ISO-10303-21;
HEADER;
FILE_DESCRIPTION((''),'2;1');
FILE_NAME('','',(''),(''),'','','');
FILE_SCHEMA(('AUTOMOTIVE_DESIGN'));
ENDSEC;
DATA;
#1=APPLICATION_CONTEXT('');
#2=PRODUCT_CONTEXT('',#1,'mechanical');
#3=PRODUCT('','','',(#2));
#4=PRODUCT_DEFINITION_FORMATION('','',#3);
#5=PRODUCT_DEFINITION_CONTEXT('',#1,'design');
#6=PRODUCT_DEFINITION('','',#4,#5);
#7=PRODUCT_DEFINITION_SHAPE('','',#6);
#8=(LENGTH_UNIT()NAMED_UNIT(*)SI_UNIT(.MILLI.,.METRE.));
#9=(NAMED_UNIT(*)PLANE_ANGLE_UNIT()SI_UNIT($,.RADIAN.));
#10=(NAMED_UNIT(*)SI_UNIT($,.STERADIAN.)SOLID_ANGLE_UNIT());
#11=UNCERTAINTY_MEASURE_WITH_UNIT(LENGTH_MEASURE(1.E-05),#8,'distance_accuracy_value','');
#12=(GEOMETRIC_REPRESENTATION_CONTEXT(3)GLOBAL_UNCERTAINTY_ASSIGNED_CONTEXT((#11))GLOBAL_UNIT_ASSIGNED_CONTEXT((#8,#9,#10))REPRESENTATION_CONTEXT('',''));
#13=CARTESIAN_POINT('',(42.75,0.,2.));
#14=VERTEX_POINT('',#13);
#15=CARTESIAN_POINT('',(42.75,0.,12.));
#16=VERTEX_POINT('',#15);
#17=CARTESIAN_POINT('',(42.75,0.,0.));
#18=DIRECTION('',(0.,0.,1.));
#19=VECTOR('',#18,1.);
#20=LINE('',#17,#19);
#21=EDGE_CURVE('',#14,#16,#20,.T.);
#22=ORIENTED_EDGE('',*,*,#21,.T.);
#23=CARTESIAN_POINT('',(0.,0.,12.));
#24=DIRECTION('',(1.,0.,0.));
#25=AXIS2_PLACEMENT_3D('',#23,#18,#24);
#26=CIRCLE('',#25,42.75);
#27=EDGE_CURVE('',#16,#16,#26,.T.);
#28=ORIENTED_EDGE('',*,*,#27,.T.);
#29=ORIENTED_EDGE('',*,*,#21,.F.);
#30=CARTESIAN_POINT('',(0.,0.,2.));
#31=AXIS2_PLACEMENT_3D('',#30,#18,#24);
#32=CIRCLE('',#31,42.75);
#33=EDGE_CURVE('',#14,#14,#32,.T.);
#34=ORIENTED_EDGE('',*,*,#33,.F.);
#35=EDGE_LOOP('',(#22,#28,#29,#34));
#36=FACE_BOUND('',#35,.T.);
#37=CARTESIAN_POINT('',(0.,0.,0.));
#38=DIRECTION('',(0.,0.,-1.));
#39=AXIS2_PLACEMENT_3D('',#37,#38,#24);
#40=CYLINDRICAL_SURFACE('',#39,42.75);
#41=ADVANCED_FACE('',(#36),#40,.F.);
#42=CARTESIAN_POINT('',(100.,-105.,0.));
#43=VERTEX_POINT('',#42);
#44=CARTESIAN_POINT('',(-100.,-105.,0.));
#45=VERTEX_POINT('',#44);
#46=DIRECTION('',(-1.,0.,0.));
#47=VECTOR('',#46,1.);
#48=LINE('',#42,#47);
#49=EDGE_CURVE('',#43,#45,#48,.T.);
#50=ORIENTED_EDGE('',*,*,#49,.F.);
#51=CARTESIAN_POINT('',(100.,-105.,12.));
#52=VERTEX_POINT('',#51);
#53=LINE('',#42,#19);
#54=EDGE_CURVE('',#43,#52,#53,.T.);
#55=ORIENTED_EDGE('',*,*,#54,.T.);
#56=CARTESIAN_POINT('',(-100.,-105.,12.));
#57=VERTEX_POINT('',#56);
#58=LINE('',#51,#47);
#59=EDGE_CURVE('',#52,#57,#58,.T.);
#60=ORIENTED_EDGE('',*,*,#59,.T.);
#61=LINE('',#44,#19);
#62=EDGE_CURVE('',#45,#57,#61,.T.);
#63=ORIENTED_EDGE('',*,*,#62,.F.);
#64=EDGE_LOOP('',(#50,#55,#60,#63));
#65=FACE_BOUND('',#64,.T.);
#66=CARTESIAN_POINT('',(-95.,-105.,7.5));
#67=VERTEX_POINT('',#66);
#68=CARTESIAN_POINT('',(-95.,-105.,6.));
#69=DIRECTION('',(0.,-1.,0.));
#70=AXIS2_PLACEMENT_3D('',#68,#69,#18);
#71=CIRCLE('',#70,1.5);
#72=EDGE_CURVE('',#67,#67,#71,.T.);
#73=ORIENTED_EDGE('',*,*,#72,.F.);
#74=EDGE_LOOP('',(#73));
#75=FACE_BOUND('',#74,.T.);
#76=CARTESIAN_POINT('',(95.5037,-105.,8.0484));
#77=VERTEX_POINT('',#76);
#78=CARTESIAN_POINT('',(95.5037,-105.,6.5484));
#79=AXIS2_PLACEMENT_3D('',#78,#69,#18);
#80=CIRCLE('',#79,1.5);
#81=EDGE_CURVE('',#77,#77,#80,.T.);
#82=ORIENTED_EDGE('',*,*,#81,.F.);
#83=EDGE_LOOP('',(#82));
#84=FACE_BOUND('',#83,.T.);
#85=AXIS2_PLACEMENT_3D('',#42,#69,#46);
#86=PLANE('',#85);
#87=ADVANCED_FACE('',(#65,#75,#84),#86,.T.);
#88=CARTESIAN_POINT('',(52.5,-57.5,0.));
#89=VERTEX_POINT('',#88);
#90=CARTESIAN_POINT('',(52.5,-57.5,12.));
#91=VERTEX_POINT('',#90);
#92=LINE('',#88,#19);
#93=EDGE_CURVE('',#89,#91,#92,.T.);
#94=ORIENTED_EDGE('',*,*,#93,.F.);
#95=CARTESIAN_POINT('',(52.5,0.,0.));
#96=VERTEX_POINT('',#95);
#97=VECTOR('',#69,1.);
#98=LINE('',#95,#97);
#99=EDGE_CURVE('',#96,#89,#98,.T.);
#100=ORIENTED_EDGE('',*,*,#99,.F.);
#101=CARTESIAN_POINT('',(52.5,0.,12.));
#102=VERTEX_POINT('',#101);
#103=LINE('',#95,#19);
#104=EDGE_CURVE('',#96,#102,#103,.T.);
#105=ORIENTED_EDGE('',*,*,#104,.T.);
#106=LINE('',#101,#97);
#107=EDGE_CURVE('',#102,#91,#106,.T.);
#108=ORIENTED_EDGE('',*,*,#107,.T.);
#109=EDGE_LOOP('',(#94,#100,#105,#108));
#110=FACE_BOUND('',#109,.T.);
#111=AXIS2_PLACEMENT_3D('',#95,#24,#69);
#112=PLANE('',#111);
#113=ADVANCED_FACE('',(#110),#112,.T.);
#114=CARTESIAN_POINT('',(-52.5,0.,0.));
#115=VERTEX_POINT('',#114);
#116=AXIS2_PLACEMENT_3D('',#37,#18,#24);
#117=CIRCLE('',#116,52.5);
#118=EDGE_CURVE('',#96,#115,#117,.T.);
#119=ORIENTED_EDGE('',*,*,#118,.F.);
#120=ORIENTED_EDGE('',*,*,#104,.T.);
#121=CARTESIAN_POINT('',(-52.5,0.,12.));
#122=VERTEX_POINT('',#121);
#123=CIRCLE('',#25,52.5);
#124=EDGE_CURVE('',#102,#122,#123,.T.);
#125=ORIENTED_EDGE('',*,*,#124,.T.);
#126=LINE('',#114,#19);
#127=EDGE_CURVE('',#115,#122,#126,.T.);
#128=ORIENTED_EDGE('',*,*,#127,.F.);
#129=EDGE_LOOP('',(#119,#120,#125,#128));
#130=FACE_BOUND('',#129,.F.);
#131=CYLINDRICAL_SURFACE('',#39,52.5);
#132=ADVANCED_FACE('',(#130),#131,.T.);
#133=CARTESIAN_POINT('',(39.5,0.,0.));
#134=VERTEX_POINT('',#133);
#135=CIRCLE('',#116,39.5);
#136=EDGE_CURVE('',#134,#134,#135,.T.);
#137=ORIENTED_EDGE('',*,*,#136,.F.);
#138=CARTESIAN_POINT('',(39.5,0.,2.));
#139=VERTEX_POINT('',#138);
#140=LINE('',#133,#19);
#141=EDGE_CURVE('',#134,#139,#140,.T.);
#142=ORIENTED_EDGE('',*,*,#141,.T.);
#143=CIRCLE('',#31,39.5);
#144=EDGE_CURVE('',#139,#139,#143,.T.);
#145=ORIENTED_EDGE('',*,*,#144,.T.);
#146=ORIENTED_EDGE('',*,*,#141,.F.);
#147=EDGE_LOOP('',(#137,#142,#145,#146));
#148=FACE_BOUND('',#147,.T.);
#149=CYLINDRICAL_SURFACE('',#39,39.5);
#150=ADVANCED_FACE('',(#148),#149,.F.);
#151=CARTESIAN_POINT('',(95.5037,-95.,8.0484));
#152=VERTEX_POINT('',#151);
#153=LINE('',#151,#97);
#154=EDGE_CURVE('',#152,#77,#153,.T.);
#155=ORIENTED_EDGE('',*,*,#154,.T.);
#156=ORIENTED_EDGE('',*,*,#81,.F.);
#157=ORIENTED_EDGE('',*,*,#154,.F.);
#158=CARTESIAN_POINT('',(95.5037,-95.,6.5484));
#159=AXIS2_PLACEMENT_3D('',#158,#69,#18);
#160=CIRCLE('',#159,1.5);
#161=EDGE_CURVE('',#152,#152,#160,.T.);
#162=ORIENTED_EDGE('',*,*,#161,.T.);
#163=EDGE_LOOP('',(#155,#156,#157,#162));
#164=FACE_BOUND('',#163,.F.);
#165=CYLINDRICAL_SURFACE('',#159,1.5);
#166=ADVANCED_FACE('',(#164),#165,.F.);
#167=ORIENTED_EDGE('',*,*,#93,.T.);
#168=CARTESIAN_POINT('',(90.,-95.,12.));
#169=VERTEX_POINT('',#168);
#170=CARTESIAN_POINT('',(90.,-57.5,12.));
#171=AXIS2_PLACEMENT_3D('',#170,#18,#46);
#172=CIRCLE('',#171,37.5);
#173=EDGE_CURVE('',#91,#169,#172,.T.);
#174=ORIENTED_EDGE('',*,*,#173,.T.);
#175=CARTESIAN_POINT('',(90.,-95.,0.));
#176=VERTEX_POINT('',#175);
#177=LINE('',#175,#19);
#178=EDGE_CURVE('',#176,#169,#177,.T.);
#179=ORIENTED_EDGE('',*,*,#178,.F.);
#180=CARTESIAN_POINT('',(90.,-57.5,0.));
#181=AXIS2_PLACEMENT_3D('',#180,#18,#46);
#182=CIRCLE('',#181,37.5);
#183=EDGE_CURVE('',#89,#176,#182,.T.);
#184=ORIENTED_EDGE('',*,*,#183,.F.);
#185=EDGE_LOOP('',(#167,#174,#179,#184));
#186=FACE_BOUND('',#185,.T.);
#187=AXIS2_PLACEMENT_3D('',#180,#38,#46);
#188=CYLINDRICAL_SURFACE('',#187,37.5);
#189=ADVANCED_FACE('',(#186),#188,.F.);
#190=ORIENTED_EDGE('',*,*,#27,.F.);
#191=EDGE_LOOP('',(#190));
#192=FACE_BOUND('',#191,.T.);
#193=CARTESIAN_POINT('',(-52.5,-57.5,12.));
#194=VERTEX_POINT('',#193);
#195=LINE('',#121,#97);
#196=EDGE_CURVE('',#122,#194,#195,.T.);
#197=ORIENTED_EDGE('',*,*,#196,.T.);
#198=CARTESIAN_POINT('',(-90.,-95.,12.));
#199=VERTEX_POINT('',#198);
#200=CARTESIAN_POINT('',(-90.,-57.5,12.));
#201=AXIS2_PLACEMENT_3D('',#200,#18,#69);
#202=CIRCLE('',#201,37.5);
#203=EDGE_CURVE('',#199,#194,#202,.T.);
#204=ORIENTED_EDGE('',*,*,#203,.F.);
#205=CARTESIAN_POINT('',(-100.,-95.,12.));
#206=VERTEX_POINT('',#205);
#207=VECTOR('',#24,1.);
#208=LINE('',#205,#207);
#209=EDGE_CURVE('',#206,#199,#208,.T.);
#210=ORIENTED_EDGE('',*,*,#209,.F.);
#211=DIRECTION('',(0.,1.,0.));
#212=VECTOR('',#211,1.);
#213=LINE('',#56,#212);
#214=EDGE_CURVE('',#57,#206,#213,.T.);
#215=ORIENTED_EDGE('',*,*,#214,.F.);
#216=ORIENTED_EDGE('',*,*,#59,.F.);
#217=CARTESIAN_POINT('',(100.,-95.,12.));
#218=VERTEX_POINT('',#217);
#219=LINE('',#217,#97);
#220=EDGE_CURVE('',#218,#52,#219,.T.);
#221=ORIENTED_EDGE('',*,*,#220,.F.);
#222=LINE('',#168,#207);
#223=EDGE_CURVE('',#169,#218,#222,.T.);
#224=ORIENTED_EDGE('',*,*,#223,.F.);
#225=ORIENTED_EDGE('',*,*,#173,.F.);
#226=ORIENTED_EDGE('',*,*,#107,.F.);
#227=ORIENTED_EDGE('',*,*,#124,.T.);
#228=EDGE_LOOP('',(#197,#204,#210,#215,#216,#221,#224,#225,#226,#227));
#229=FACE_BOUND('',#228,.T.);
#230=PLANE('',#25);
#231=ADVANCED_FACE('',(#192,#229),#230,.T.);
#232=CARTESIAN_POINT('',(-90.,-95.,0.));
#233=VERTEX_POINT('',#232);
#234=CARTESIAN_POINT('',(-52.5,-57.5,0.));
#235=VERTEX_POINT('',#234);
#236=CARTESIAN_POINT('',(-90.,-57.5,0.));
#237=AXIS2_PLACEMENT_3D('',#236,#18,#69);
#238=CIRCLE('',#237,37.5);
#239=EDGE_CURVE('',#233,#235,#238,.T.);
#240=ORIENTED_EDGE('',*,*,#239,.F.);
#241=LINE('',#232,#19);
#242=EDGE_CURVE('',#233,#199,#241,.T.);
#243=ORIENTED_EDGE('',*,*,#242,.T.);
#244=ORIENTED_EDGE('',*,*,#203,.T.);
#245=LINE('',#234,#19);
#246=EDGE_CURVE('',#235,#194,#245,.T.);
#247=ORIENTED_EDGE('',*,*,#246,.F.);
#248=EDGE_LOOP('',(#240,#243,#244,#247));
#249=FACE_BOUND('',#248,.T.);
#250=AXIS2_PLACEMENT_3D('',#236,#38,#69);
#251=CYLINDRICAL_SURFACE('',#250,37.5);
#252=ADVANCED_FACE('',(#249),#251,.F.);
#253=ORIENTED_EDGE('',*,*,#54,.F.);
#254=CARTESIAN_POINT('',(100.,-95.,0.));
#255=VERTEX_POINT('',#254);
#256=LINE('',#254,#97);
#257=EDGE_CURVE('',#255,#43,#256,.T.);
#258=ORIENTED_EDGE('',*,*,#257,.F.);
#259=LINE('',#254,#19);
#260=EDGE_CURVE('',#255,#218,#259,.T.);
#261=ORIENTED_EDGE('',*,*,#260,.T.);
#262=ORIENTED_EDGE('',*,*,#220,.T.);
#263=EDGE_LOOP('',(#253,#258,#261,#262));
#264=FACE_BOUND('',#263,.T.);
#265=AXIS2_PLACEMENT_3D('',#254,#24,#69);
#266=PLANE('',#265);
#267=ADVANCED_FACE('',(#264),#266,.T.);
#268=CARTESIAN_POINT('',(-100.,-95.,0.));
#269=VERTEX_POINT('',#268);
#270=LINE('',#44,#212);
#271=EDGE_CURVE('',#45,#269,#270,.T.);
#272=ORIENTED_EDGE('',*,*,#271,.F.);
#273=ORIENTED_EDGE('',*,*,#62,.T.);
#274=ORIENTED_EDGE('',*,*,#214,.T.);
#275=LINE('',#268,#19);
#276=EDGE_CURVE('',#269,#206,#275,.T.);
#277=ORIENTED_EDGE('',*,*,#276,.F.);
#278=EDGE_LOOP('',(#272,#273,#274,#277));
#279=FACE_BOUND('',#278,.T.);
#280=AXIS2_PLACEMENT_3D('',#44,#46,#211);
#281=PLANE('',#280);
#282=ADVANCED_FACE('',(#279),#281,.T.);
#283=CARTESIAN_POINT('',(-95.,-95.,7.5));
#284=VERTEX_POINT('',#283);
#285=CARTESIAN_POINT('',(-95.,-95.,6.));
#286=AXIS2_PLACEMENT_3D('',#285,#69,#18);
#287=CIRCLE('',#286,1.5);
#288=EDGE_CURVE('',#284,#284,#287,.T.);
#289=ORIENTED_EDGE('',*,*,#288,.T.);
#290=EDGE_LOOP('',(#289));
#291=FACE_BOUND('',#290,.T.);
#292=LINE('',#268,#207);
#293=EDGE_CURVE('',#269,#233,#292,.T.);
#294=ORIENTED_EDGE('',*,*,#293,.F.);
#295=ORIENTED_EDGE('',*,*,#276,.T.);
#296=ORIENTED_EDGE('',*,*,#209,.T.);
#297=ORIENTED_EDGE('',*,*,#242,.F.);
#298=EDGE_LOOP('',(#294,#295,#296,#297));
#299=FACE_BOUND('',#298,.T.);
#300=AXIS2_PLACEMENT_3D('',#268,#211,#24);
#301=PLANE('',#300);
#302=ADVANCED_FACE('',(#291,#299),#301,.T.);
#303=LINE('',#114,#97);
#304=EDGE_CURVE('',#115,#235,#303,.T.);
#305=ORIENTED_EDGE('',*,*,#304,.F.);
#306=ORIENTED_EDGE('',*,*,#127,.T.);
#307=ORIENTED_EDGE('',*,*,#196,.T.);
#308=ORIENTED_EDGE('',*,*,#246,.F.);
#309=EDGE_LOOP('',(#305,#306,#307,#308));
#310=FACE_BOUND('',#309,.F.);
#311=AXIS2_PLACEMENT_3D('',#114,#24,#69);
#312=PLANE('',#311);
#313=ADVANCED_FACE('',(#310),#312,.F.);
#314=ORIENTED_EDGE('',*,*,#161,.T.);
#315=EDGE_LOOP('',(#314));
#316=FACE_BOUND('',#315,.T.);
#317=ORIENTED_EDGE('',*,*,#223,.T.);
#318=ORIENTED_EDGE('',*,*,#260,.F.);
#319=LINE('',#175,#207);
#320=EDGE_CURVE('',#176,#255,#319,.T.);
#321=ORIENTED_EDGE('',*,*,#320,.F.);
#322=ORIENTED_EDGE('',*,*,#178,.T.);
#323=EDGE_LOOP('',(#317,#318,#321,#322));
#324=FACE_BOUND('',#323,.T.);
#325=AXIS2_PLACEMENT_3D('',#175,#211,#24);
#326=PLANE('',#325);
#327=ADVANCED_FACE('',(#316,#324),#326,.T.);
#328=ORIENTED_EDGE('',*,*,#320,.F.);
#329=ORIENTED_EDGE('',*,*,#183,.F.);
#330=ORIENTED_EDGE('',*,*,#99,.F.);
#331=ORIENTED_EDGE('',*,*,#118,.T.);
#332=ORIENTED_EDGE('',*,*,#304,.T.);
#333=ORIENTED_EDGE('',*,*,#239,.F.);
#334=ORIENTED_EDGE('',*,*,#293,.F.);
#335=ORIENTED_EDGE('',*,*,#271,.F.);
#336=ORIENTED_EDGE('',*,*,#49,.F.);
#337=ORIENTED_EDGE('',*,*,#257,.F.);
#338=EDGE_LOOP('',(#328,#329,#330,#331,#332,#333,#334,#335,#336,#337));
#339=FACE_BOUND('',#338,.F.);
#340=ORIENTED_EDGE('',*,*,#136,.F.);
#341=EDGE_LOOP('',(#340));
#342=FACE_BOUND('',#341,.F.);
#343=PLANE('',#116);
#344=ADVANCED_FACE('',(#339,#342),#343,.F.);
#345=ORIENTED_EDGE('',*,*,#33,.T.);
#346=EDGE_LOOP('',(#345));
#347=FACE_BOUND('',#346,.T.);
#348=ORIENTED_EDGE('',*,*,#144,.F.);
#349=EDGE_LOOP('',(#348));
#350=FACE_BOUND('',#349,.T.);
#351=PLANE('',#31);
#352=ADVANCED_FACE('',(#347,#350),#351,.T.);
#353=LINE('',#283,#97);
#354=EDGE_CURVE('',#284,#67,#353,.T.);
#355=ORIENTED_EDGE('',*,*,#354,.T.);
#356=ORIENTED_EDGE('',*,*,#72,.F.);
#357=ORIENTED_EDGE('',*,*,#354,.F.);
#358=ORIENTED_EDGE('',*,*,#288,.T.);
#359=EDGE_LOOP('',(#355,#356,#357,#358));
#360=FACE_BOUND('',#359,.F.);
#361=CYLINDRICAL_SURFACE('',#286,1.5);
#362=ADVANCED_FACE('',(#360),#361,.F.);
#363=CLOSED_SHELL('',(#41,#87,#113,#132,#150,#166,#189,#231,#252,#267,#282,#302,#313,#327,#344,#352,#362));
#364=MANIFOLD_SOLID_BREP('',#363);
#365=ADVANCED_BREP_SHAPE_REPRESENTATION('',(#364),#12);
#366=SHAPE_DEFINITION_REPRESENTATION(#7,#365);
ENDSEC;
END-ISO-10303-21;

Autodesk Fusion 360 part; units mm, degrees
sketch "Sketch1" plane through (0, 0, 0) normal (0, 0, 1) x (1, 0, 0)
  circle A0 centre (0, 0) radius 42.75
  circle A1 centre (0, 0) radius 39.5
  line L0 (0, 0) -> (0, -100) construction
  line L1 (100, -105) -> (-100, -105)
  line L2 (-100, -105) -> (-100, -95)
  line L3 (100, -95) -> (100, -105)
  line L4 (100, -105) -> (-100, -95) construction
  line L5 (-100, -105) -> (100, -95) construction
  circle A2 centre (0, 0) radius 52.5
  line L6 (-52.5, 0) -> (-52.5, -57.5)
  line L7 (52.5, 0) -> (52.5, -57.5)
  line L8 (-100, -95) -> (-90, -95)
  line L9 (90, -95) -> (100, -95)
  arc A3 (-90, -95) -> (-52.5, -57.5) centre (-90, -57.5) ccw
  arc A4 (52.5, -57.5) -> (90, -95) centre (90, -57.5) ccw
  point P0 (0, -100)
  dimension "d1" = 85.5
  dimension "d5" = 79
  dimension "d7" = 100
  dimension "d8" = 200
  dimension "d9" = 10
  dimension "d10" = 105
  dimension "d11" = 37.5
  dimension "d12" = 10
  dimension "d13" = 37.5
extrude "Extrude1" add sketch "Sketch1" along normal blind 12 contours L1 L2 L3 A2 L6 L7 L8 L9 A3 A4 | A2
extrude "Extrude2" add sketch "Sketch1" along normal blind 2 contours A0
hole "Hole1" at (-95, -95, 6) direction (0, -1, 0) diameter 3 depth 10 tip angle 118
hole "Hole2" at (95.5037, -95, 6.5484) direction (0, -1, 0) diameter 3 depth 10 tip angle 118
equation "d1 = BearingDia + Tollerance"
equation "BearingDia = 85 mm"
equation "BearingOffset = 79 mm"
equation "Tollerance = 0.5 mm"
equation "d5 = BearingOffset"
equation "AxleHeight = 105 mm"
equation "d7 = AxleHeight - 5 mm"
equation "d10 = BearingDia + 20 mm"
